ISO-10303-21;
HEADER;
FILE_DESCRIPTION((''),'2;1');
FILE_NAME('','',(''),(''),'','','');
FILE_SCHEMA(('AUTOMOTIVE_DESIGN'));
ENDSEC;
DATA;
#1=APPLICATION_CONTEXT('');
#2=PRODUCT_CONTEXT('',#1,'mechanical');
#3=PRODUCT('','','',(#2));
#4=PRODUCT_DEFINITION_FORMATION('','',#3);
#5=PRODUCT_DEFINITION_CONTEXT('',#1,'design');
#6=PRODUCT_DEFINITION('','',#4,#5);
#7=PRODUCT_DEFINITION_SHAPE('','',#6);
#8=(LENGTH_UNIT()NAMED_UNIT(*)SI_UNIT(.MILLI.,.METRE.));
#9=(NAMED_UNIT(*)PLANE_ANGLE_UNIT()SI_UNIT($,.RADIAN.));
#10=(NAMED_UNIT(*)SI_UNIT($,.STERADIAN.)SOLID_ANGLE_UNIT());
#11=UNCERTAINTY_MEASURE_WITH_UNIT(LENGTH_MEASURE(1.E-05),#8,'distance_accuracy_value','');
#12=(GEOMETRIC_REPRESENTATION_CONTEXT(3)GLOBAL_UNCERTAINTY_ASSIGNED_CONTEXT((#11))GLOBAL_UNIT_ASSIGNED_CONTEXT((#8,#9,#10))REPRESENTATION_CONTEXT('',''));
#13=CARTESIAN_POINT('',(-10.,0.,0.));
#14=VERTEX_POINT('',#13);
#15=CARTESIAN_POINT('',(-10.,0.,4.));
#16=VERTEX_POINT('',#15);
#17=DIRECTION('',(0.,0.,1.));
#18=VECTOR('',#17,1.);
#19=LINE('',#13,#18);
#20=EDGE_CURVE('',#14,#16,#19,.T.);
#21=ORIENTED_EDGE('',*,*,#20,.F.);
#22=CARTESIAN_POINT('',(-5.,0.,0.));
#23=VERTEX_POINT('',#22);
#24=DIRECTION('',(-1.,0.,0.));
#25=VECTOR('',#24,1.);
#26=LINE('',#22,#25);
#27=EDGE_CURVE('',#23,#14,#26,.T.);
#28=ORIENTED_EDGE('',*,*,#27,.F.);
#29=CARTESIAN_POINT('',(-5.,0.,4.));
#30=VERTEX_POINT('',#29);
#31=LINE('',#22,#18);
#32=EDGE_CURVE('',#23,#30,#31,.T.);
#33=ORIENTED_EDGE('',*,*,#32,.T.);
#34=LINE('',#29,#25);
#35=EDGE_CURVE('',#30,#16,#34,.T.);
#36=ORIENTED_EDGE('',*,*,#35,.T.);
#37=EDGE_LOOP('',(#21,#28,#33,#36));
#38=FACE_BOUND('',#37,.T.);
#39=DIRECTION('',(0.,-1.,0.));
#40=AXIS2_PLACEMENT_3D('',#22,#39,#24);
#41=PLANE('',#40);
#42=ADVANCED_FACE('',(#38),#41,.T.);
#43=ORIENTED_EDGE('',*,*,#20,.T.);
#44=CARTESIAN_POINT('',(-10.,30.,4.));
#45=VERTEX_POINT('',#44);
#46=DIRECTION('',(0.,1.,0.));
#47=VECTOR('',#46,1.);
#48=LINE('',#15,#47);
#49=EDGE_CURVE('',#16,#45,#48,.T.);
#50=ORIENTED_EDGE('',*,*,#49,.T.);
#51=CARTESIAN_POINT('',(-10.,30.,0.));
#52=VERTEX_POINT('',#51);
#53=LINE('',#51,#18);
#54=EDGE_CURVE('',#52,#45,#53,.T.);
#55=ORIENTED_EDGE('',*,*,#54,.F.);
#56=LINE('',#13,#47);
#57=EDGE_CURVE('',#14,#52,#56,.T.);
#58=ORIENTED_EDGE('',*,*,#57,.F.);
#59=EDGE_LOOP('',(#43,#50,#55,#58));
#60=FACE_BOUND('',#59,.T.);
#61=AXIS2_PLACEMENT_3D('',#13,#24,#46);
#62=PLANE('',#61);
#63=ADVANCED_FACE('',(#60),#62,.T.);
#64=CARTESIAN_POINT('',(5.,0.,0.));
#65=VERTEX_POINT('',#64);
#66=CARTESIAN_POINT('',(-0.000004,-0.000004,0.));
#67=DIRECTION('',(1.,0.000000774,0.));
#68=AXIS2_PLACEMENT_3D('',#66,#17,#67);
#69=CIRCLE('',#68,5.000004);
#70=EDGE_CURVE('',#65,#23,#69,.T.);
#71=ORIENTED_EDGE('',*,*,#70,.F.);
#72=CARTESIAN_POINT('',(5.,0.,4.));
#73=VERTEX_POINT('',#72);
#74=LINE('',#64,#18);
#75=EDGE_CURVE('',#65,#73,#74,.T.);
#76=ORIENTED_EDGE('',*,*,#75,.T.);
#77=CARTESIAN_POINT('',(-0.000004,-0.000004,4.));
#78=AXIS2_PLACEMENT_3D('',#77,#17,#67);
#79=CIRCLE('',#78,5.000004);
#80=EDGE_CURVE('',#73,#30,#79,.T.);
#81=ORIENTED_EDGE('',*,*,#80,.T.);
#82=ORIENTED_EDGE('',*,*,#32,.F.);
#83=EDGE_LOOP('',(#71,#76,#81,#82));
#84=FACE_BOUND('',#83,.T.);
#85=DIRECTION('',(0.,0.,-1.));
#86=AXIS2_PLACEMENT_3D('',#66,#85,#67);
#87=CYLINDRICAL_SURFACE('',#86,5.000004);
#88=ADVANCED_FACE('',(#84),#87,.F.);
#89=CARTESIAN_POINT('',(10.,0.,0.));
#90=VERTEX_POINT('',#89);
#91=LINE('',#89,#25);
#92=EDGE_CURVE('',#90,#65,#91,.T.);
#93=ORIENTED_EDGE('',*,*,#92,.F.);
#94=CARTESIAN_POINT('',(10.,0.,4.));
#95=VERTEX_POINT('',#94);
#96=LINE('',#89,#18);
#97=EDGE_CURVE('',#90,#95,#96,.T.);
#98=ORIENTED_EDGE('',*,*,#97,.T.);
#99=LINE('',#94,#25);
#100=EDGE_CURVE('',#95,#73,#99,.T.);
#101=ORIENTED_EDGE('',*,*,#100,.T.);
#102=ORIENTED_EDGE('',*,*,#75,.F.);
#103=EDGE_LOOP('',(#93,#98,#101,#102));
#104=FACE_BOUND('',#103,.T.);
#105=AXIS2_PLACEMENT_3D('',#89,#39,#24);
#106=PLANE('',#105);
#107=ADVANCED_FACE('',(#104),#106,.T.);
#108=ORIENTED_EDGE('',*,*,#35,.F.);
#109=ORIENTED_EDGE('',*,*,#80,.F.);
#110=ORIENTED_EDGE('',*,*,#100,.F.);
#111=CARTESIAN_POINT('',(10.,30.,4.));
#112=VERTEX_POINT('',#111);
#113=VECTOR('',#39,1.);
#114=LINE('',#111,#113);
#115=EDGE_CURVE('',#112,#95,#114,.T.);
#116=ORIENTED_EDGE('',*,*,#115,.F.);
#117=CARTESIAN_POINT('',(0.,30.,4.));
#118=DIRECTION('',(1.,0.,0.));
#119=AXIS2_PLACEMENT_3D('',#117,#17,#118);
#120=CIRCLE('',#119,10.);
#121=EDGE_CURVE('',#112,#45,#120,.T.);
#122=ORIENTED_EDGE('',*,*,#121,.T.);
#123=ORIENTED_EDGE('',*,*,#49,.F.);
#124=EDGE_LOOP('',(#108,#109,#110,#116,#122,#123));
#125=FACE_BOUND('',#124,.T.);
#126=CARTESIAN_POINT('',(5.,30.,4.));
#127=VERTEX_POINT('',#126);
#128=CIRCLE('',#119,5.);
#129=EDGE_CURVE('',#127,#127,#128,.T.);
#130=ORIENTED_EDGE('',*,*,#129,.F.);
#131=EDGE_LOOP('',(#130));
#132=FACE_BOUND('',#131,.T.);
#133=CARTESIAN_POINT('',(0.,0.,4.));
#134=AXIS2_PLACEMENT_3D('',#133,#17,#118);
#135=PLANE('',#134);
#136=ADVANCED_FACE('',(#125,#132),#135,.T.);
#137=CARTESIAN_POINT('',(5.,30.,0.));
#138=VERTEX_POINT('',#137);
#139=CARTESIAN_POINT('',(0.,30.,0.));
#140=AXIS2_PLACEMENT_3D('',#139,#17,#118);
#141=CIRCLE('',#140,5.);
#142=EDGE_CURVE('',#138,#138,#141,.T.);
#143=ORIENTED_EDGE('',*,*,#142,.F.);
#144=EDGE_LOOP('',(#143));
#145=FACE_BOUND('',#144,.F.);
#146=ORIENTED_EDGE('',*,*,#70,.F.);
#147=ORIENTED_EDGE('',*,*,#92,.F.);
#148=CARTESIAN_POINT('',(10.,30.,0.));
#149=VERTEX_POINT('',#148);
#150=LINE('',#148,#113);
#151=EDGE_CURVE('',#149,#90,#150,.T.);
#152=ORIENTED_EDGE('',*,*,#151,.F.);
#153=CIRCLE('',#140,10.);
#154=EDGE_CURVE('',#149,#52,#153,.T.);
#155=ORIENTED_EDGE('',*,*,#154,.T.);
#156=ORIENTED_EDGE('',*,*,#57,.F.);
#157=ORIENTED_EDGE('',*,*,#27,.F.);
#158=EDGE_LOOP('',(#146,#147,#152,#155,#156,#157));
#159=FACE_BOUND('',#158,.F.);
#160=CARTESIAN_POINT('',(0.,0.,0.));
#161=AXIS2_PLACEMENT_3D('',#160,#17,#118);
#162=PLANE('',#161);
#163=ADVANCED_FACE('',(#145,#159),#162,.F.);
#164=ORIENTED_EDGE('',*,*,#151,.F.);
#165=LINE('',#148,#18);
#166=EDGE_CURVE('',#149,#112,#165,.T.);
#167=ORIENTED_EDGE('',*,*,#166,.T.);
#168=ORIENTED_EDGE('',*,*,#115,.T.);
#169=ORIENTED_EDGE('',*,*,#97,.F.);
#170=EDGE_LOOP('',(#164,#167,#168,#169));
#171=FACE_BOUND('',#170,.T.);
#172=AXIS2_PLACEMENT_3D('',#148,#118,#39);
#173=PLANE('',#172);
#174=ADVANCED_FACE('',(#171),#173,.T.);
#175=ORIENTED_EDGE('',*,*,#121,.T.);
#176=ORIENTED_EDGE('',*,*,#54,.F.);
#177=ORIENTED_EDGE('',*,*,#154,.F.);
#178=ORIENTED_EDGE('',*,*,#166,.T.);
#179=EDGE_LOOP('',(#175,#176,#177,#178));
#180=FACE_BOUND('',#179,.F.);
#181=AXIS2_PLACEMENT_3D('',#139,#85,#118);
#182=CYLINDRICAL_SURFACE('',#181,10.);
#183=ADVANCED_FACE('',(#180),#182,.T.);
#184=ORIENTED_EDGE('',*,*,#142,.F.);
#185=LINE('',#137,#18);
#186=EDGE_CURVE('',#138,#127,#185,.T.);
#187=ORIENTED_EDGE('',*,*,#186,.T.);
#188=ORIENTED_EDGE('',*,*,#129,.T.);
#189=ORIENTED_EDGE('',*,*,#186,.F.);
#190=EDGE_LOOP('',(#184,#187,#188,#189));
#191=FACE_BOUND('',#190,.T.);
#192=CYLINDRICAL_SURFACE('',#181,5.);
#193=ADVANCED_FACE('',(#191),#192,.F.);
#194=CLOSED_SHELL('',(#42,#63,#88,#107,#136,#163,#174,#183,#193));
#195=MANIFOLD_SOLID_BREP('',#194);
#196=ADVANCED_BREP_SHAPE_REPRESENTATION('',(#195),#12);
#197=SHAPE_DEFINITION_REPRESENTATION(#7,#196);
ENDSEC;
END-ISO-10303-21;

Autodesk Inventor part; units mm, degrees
ref_plane "YZ Plane" through (0, 0, 0) normal (1, 0, 0) x (0, 1, 0)
ref_plane "XZ Plane" through (0, 0, 0) normal (0, 1, 0) x (-1, 0, 0)
ref_plane "XY Plane" through (0, 0, 0) normal (0, 0, 1) x (1, 0, 0)
sketch "Skizze1" plane through (0, 0, 0) normal (0, 0, 1) x (1, 0, 0)
  circle A0 centre (0, 0) radius 5 construction
  line L0 (-5, 0) -> (-10, 0)
  line L1 (-10, 0) -> (-10, 30)
  arc A1 (10, 30) -> (-10, 30) centre (0, 30) ccw
  line L2 (10, 30) -> (10, 0)
  line L3 (10, 0) -> (5, 0)
  arc A2 (5, 0) -> (-5, -0.0088) centre (0, 0) ccw
  line L4 (0, 0) -> (5, 0) construction
  circle A3 centre (0, 30) radius 5
  dimension "d0" = 10
  dimension "d1" = 30
  dimension "d2" = 20
  dimension "d3" = 10
extrude "Extrusion1" add sketch "Skizze1" along normal blind 4
properties part number "MainDrive_Abstandhilfe"
